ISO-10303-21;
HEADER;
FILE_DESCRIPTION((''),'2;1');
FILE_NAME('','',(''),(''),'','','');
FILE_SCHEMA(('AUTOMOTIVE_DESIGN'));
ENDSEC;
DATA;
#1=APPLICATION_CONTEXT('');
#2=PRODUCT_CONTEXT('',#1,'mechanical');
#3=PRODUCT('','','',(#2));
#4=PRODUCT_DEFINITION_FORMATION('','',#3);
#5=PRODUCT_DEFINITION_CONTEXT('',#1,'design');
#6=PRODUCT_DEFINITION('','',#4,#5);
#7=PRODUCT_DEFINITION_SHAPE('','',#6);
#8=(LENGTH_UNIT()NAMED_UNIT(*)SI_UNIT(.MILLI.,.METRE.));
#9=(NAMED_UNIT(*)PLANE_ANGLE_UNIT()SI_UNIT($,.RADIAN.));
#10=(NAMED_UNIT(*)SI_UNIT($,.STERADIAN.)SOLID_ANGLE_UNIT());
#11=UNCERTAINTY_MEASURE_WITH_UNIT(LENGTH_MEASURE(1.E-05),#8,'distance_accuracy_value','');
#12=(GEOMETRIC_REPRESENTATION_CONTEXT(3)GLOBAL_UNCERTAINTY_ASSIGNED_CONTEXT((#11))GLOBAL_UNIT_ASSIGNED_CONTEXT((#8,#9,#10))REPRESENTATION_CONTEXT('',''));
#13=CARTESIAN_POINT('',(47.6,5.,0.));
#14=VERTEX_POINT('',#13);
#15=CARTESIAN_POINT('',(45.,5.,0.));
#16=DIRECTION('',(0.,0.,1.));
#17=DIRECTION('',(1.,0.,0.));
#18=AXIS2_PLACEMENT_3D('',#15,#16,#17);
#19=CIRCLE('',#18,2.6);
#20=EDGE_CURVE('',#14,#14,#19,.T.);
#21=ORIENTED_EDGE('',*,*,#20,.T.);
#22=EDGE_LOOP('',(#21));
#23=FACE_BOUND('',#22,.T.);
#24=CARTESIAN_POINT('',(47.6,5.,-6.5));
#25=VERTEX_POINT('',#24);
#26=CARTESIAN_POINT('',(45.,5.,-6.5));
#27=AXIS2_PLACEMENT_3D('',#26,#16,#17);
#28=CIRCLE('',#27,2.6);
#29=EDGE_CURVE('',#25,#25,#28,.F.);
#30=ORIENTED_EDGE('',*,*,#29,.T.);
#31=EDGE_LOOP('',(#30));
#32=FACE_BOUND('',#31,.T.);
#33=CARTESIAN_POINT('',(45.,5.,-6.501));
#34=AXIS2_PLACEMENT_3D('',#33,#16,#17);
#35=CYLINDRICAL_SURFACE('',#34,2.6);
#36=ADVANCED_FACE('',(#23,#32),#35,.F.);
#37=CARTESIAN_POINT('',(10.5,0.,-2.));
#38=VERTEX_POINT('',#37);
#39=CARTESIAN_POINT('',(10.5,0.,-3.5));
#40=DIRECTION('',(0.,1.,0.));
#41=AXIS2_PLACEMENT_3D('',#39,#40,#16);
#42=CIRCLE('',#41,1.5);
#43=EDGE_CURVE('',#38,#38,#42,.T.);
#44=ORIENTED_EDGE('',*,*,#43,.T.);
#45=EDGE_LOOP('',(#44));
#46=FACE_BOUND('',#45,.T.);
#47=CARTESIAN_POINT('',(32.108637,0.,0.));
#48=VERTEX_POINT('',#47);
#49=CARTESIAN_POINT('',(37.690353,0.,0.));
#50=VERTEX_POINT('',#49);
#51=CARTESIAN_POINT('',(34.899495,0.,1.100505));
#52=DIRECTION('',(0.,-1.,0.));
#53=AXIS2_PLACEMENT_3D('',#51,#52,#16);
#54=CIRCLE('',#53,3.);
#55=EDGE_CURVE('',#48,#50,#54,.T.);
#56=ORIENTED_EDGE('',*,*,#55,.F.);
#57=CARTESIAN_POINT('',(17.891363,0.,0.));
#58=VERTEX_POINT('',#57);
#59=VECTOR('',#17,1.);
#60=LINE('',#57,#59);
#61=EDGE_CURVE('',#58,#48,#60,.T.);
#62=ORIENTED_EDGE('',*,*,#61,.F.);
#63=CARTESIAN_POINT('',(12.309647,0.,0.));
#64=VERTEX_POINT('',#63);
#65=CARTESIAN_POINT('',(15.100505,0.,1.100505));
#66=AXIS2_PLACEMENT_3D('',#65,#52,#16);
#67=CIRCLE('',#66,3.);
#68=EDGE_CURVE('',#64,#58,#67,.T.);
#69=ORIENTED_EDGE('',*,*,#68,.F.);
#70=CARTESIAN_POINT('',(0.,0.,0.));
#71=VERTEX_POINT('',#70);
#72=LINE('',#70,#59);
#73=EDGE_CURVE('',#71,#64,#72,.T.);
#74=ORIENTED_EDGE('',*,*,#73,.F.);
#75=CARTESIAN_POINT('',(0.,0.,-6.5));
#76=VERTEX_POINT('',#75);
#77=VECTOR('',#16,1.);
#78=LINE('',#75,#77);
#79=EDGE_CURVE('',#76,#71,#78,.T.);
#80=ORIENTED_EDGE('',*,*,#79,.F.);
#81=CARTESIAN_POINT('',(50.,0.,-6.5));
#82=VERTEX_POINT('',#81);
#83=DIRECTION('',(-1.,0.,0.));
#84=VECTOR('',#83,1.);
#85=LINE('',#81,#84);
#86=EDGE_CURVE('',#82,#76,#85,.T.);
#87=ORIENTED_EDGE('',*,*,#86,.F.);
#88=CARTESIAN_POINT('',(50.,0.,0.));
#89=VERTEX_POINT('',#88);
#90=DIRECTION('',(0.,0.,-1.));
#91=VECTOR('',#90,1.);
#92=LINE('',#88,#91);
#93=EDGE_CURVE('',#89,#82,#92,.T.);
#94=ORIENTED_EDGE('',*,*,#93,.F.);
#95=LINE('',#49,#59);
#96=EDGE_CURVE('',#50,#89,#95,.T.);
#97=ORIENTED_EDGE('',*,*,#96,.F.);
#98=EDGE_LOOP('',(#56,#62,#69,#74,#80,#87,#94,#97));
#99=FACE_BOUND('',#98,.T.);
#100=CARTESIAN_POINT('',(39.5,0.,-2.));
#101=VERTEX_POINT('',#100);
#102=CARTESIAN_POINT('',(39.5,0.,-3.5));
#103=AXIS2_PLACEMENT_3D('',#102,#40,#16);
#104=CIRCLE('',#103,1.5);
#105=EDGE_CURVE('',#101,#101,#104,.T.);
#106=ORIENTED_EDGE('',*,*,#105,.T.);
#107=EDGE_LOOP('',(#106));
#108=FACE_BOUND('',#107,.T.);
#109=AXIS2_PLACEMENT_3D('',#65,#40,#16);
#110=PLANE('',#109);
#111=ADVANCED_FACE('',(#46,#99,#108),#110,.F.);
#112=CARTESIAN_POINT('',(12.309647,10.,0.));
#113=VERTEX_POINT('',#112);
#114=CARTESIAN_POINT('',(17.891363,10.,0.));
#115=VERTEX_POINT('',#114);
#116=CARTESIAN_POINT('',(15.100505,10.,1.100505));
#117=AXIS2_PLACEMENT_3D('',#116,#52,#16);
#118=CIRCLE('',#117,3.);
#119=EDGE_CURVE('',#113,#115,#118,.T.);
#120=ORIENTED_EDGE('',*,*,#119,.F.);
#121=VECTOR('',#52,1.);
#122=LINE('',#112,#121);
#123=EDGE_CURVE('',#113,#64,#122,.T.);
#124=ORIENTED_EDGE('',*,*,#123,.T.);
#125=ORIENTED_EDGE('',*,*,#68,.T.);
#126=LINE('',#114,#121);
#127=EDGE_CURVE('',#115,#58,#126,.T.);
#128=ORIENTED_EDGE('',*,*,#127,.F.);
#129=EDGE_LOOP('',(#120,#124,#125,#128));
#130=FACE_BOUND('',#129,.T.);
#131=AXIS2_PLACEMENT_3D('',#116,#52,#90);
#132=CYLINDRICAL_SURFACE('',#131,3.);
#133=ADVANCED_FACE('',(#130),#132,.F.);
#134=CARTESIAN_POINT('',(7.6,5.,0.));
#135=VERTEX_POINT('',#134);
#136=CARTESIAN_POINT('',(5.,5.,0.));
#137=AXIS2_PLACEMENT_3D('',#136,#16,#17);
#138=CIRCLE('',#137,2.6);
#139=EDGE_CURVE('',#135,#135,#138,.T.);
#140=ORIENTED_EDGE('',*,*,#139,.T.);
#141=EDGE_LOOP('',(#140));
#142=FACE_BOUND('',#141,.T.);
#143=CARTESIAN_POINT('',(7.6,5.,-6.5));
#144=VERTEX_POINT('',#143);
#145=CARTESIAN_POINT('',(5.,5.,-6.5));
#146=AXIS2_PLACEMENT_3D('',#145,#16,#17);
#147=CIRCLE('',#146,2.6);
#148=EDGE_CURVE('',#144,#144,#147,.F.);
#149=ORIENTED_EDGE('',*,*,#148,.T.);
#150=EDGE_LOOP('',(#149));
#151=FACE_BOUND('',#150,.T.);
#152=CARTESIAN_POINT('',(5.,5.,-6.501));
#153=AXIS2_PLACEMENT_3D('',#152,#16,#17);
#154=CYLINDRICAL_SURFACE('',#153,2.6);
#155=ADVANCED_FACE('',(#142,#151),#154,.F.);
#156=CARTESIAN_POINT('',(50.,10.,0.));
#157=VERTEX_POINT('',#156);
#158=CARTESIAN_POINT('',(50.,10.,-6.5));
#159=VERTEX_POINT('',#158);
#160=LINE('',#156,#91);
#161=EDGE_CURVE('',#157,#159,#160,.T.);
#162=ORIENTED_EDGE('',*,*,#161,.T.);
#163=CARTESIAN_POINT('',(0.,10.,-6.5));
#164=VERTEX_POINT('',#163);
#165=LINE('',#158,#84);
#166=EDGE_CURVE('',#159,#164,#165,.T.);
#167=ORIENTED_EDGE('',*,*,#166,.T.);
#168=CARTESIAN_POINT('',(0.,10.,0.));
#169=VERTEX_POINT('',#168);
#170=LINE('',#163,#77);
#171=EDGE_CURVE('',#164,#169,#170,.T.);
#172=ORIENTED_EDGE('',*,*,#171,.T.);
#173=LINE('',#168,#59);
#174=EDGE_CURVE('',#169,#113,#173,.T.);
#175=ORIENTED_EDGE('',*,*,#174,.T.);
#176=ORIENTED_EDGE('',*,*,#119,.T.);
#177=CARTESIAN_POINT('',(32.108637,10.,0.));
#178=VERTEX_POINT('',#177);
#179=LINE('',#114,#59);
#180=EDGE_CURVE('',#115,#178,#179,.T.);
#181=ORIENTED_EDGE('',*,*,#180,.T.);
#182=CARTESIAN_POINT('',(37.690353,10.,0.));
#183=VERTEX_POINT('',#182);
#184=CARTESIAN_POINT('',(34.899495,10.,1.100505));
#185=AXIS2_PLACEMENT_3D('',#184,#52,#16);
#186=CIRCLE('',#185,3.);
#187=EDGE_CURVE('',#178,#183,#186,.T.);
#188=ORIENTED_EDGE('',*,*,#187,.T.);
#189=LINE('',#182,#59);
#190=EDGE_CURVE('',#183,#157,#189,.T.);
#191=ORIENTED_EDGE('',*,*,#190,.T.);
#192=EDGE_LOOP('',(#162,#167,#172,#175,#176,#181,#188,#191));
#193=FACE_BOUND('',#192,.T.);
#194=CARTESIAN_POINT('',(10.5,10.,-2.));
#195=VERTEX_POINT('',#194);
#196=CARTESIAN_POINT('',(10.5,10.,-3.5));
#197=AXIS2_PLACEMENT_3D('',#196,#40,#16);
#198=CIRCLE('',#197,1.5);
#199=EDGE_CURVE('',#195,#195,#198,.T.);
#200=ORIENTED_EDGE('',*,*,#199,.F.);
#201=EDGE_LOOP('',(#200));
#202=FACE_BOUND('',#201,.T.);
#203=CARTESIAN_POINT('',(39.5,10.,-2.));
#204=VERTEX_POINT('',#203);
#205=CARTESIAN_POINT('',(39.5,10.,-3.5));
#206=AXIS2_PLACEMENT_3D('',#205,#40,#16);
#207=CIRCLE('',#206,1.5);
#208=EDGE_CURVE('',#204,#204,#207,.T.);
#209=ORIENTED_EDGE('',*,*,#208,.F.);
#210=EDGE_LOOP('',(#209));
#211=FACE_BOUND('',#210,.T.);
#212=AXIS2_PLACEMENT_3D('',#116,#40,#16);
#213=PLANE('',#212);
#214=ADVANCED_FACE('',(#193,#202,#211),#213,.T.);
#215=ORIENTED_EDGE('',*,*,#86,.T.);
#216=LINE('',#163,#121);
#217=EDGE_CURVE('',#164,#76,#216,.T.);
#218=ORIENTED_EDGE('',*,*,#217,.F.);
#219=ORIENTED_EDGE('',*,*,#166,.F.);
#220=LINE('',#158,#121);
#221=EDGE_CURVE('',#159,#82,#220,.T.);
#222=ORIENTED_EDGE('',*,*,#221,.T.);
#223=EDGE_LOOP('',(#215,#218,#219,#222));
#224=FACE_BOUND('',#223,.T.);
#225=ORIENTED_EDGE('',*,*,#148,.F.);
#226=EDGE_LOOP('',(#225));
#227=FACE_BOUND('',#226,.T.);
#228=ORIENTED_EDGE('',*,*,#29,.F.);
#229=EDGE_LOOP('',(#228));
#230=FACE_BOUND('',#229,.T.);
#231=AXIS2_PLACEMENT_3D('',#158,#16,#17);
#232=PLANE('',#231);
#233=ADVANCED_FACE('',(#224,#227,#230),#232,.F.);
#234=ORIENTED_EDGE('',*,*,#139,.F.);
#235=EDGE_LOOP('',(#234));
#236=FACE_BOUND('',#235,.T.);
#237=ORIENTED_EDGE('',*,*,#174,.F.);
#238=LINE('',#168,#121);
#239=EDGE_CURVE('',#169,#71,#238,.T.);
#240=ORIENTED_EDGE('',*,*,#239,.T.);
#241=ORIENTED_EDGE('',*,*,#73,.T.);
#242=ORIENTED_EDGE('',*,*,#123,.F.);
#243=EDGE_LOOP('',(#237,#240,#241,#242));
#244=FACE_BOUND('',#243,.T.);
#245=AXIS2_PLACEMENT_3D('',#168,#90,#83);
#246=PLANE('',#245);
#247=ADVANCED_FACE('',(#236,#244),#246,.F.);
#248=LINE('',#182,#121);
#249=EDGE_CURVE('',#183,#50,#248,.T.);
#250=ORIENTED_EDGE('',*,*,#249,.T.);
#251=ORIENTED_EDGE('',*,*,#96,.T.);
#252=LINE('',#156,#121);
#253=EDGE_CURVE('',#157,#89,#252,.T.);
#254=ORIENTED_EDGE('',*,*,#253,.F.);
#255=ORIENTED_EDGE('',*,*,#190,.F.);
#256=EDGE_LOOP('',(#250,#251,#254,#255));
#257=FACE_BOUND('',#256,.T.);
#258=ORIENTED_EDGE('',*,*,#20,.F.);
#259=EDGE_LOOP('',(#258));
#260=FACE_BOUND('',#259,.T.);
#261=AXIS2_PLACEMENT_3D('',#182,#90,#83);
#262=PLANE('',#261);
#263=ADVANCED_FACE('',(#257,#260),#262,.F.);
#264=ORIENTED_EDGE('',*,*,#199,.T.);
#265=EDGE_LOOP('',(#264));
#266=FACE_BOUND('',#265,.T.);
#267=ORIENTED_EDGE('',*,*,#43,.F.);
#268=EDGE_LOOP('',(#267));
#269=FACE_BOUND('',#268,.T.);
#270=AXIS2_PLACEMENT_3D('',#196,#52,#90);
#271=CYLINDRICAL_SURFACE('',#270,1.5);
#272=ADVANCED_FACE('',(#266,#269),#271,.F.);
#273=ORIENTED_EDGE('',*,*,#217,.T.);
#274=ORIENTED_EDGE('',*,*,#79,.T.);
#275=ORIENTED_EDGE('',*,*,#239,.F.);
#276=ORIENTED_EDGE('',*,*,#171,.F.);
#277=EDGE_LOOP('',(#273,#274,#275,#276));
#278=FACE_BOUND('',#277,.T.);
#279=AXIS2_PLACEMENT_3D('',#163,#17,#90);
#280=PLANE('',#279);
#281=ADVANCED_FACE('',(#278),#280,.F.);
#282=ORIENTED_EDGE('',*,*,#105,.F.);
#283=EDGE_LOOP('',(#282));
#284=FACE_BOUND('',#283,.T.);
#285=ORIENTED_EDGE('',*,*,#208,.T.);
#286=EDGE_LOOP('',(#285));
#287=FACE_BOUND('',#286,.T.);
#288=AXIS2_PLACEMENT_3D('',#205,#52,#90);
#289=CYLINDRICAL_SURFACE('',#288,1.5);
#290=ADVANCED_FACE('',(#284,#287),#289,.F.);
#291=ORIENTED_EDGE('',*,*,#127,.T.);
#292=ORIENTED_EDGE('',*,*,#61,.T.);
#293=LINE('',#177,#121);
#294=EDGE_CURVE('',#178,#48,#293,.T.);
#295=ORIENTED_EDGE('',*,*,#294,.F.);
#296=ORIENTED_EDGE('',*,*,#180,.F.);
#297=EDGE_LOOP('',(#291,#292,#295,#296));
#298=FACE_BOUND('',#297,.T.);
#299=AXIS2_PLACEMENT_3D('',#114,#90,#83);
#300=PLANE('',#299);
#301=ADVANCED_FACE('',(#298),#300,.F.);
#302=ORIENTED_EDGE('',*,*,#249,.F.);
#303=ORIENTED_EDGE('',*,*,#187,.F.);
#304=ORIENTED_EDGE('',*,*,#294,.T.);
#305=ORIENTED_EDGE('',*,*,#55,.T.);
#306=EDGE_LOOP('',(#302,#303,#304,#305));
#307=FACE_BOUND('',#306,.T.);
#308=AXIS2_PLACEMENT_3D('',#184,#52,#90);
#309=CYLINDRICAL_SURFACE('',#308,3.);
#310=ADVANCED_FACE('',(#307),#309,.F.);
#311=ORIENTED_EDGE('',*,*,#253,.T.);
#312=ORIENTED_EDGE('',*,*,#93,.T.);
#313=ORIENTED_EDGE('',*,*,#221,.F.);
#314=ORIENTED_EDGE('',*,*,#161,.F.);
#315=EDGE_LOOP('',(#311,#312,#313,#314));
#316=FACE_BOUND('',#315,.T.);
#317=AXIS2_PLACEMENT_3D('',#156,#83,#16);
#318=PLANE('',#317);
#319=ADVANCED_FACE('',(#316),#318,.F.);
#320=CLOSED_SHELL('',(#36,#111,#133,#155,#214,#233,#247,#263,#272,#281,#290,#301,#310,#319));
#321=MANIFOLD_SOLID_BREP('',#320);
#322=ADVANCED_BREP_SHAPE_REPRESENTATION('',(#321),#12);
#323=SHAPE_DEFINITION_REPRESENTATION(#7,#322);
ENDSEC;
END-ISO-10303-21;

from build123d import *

# Parameters (mm, degrees)
SKETCH1_R           = 1.5
BOSS_EXTRUDE1_DEPTH = 10
CUT_EXTRUDE1_REACH  = 8.5
SKETCH2_R           = 2.6


with BuildPart() as part:
    # Sketch1 → Boss-Extrude1 (new body)
    with BuildSketch(Plane(origin=(0, 0, 0), x_dir=(1, 0, 0), z_dir=(0, 1, 0))):
        with BuildLine():
            Line((0, 0), (12.309647022, 0))
            ThreePointArc((12.309647022, 0), (15.100505063, 1.899494937), (17.891363104, 0))
            Line((17.891363104, 0), (32.108636896, 0))
            ThreePointArc((32.108636896, 0), (34.899494937, 1.899494937), (37.690352978, 0))
            Line((37.690352978, 0), (50, 0))
            Line((50, 0), (50, 6.5))
            Line((50, 6.5), (0, 6.5))
            Line((0, 6.5), (0, 0))
        make_face()
        with Locations((10.5, 3.5)):
            Circle(SKETCH1_R, mode=Mode.SUBTRACT)
        with Locations((39.5, 3.5)):
            Circle(SKETCH1_R, mode=Mode.SUBTRACT)
    extrude(amount=BOSS_EXTRUDE1_DEPTH)

    # Sketch2 → Cut-Extrude1 (cut, up to next)
    with BuildSketch(Plane.XY, mode=Mode.PRIVATE) as cut_extrude1_sk1:
        with Locations((5, 5)):
            Circle(SKETCH2_R)
    cut_extrude1_tool1 = extrude(cut_extrude1_sk1.sketch, amount=-CUT_EXTRUDE1_REACH, mode=Mode.PRIVATE) & part.part
    add(cut_extrude1_tool1.solids().sort_by_distance((5, 5, 0))[0], mode=Mode.SUBTRACT)
    # Sketch2 → Cut-Extrude1 (cut, up to next)
    with BuildSketch(Plane.XY, mode=Mode.PRIVATE) as cut_extrude1_sk2:
        with Locations((45, 5)):
            Circle(SKETCH2_R)
    cut_extrude1_tool2 = extrude(cut_extrude1_sk2.sketch, amount=-CUT_EXTRUDE1_REACH, mode=Mode.PRIVATE) & part.part
    add(cut_extrude1_tool2.solids().sort_by_distance((45, 5, 0))[0], mode=Mode.SUBTRACT)


solid = part.part
